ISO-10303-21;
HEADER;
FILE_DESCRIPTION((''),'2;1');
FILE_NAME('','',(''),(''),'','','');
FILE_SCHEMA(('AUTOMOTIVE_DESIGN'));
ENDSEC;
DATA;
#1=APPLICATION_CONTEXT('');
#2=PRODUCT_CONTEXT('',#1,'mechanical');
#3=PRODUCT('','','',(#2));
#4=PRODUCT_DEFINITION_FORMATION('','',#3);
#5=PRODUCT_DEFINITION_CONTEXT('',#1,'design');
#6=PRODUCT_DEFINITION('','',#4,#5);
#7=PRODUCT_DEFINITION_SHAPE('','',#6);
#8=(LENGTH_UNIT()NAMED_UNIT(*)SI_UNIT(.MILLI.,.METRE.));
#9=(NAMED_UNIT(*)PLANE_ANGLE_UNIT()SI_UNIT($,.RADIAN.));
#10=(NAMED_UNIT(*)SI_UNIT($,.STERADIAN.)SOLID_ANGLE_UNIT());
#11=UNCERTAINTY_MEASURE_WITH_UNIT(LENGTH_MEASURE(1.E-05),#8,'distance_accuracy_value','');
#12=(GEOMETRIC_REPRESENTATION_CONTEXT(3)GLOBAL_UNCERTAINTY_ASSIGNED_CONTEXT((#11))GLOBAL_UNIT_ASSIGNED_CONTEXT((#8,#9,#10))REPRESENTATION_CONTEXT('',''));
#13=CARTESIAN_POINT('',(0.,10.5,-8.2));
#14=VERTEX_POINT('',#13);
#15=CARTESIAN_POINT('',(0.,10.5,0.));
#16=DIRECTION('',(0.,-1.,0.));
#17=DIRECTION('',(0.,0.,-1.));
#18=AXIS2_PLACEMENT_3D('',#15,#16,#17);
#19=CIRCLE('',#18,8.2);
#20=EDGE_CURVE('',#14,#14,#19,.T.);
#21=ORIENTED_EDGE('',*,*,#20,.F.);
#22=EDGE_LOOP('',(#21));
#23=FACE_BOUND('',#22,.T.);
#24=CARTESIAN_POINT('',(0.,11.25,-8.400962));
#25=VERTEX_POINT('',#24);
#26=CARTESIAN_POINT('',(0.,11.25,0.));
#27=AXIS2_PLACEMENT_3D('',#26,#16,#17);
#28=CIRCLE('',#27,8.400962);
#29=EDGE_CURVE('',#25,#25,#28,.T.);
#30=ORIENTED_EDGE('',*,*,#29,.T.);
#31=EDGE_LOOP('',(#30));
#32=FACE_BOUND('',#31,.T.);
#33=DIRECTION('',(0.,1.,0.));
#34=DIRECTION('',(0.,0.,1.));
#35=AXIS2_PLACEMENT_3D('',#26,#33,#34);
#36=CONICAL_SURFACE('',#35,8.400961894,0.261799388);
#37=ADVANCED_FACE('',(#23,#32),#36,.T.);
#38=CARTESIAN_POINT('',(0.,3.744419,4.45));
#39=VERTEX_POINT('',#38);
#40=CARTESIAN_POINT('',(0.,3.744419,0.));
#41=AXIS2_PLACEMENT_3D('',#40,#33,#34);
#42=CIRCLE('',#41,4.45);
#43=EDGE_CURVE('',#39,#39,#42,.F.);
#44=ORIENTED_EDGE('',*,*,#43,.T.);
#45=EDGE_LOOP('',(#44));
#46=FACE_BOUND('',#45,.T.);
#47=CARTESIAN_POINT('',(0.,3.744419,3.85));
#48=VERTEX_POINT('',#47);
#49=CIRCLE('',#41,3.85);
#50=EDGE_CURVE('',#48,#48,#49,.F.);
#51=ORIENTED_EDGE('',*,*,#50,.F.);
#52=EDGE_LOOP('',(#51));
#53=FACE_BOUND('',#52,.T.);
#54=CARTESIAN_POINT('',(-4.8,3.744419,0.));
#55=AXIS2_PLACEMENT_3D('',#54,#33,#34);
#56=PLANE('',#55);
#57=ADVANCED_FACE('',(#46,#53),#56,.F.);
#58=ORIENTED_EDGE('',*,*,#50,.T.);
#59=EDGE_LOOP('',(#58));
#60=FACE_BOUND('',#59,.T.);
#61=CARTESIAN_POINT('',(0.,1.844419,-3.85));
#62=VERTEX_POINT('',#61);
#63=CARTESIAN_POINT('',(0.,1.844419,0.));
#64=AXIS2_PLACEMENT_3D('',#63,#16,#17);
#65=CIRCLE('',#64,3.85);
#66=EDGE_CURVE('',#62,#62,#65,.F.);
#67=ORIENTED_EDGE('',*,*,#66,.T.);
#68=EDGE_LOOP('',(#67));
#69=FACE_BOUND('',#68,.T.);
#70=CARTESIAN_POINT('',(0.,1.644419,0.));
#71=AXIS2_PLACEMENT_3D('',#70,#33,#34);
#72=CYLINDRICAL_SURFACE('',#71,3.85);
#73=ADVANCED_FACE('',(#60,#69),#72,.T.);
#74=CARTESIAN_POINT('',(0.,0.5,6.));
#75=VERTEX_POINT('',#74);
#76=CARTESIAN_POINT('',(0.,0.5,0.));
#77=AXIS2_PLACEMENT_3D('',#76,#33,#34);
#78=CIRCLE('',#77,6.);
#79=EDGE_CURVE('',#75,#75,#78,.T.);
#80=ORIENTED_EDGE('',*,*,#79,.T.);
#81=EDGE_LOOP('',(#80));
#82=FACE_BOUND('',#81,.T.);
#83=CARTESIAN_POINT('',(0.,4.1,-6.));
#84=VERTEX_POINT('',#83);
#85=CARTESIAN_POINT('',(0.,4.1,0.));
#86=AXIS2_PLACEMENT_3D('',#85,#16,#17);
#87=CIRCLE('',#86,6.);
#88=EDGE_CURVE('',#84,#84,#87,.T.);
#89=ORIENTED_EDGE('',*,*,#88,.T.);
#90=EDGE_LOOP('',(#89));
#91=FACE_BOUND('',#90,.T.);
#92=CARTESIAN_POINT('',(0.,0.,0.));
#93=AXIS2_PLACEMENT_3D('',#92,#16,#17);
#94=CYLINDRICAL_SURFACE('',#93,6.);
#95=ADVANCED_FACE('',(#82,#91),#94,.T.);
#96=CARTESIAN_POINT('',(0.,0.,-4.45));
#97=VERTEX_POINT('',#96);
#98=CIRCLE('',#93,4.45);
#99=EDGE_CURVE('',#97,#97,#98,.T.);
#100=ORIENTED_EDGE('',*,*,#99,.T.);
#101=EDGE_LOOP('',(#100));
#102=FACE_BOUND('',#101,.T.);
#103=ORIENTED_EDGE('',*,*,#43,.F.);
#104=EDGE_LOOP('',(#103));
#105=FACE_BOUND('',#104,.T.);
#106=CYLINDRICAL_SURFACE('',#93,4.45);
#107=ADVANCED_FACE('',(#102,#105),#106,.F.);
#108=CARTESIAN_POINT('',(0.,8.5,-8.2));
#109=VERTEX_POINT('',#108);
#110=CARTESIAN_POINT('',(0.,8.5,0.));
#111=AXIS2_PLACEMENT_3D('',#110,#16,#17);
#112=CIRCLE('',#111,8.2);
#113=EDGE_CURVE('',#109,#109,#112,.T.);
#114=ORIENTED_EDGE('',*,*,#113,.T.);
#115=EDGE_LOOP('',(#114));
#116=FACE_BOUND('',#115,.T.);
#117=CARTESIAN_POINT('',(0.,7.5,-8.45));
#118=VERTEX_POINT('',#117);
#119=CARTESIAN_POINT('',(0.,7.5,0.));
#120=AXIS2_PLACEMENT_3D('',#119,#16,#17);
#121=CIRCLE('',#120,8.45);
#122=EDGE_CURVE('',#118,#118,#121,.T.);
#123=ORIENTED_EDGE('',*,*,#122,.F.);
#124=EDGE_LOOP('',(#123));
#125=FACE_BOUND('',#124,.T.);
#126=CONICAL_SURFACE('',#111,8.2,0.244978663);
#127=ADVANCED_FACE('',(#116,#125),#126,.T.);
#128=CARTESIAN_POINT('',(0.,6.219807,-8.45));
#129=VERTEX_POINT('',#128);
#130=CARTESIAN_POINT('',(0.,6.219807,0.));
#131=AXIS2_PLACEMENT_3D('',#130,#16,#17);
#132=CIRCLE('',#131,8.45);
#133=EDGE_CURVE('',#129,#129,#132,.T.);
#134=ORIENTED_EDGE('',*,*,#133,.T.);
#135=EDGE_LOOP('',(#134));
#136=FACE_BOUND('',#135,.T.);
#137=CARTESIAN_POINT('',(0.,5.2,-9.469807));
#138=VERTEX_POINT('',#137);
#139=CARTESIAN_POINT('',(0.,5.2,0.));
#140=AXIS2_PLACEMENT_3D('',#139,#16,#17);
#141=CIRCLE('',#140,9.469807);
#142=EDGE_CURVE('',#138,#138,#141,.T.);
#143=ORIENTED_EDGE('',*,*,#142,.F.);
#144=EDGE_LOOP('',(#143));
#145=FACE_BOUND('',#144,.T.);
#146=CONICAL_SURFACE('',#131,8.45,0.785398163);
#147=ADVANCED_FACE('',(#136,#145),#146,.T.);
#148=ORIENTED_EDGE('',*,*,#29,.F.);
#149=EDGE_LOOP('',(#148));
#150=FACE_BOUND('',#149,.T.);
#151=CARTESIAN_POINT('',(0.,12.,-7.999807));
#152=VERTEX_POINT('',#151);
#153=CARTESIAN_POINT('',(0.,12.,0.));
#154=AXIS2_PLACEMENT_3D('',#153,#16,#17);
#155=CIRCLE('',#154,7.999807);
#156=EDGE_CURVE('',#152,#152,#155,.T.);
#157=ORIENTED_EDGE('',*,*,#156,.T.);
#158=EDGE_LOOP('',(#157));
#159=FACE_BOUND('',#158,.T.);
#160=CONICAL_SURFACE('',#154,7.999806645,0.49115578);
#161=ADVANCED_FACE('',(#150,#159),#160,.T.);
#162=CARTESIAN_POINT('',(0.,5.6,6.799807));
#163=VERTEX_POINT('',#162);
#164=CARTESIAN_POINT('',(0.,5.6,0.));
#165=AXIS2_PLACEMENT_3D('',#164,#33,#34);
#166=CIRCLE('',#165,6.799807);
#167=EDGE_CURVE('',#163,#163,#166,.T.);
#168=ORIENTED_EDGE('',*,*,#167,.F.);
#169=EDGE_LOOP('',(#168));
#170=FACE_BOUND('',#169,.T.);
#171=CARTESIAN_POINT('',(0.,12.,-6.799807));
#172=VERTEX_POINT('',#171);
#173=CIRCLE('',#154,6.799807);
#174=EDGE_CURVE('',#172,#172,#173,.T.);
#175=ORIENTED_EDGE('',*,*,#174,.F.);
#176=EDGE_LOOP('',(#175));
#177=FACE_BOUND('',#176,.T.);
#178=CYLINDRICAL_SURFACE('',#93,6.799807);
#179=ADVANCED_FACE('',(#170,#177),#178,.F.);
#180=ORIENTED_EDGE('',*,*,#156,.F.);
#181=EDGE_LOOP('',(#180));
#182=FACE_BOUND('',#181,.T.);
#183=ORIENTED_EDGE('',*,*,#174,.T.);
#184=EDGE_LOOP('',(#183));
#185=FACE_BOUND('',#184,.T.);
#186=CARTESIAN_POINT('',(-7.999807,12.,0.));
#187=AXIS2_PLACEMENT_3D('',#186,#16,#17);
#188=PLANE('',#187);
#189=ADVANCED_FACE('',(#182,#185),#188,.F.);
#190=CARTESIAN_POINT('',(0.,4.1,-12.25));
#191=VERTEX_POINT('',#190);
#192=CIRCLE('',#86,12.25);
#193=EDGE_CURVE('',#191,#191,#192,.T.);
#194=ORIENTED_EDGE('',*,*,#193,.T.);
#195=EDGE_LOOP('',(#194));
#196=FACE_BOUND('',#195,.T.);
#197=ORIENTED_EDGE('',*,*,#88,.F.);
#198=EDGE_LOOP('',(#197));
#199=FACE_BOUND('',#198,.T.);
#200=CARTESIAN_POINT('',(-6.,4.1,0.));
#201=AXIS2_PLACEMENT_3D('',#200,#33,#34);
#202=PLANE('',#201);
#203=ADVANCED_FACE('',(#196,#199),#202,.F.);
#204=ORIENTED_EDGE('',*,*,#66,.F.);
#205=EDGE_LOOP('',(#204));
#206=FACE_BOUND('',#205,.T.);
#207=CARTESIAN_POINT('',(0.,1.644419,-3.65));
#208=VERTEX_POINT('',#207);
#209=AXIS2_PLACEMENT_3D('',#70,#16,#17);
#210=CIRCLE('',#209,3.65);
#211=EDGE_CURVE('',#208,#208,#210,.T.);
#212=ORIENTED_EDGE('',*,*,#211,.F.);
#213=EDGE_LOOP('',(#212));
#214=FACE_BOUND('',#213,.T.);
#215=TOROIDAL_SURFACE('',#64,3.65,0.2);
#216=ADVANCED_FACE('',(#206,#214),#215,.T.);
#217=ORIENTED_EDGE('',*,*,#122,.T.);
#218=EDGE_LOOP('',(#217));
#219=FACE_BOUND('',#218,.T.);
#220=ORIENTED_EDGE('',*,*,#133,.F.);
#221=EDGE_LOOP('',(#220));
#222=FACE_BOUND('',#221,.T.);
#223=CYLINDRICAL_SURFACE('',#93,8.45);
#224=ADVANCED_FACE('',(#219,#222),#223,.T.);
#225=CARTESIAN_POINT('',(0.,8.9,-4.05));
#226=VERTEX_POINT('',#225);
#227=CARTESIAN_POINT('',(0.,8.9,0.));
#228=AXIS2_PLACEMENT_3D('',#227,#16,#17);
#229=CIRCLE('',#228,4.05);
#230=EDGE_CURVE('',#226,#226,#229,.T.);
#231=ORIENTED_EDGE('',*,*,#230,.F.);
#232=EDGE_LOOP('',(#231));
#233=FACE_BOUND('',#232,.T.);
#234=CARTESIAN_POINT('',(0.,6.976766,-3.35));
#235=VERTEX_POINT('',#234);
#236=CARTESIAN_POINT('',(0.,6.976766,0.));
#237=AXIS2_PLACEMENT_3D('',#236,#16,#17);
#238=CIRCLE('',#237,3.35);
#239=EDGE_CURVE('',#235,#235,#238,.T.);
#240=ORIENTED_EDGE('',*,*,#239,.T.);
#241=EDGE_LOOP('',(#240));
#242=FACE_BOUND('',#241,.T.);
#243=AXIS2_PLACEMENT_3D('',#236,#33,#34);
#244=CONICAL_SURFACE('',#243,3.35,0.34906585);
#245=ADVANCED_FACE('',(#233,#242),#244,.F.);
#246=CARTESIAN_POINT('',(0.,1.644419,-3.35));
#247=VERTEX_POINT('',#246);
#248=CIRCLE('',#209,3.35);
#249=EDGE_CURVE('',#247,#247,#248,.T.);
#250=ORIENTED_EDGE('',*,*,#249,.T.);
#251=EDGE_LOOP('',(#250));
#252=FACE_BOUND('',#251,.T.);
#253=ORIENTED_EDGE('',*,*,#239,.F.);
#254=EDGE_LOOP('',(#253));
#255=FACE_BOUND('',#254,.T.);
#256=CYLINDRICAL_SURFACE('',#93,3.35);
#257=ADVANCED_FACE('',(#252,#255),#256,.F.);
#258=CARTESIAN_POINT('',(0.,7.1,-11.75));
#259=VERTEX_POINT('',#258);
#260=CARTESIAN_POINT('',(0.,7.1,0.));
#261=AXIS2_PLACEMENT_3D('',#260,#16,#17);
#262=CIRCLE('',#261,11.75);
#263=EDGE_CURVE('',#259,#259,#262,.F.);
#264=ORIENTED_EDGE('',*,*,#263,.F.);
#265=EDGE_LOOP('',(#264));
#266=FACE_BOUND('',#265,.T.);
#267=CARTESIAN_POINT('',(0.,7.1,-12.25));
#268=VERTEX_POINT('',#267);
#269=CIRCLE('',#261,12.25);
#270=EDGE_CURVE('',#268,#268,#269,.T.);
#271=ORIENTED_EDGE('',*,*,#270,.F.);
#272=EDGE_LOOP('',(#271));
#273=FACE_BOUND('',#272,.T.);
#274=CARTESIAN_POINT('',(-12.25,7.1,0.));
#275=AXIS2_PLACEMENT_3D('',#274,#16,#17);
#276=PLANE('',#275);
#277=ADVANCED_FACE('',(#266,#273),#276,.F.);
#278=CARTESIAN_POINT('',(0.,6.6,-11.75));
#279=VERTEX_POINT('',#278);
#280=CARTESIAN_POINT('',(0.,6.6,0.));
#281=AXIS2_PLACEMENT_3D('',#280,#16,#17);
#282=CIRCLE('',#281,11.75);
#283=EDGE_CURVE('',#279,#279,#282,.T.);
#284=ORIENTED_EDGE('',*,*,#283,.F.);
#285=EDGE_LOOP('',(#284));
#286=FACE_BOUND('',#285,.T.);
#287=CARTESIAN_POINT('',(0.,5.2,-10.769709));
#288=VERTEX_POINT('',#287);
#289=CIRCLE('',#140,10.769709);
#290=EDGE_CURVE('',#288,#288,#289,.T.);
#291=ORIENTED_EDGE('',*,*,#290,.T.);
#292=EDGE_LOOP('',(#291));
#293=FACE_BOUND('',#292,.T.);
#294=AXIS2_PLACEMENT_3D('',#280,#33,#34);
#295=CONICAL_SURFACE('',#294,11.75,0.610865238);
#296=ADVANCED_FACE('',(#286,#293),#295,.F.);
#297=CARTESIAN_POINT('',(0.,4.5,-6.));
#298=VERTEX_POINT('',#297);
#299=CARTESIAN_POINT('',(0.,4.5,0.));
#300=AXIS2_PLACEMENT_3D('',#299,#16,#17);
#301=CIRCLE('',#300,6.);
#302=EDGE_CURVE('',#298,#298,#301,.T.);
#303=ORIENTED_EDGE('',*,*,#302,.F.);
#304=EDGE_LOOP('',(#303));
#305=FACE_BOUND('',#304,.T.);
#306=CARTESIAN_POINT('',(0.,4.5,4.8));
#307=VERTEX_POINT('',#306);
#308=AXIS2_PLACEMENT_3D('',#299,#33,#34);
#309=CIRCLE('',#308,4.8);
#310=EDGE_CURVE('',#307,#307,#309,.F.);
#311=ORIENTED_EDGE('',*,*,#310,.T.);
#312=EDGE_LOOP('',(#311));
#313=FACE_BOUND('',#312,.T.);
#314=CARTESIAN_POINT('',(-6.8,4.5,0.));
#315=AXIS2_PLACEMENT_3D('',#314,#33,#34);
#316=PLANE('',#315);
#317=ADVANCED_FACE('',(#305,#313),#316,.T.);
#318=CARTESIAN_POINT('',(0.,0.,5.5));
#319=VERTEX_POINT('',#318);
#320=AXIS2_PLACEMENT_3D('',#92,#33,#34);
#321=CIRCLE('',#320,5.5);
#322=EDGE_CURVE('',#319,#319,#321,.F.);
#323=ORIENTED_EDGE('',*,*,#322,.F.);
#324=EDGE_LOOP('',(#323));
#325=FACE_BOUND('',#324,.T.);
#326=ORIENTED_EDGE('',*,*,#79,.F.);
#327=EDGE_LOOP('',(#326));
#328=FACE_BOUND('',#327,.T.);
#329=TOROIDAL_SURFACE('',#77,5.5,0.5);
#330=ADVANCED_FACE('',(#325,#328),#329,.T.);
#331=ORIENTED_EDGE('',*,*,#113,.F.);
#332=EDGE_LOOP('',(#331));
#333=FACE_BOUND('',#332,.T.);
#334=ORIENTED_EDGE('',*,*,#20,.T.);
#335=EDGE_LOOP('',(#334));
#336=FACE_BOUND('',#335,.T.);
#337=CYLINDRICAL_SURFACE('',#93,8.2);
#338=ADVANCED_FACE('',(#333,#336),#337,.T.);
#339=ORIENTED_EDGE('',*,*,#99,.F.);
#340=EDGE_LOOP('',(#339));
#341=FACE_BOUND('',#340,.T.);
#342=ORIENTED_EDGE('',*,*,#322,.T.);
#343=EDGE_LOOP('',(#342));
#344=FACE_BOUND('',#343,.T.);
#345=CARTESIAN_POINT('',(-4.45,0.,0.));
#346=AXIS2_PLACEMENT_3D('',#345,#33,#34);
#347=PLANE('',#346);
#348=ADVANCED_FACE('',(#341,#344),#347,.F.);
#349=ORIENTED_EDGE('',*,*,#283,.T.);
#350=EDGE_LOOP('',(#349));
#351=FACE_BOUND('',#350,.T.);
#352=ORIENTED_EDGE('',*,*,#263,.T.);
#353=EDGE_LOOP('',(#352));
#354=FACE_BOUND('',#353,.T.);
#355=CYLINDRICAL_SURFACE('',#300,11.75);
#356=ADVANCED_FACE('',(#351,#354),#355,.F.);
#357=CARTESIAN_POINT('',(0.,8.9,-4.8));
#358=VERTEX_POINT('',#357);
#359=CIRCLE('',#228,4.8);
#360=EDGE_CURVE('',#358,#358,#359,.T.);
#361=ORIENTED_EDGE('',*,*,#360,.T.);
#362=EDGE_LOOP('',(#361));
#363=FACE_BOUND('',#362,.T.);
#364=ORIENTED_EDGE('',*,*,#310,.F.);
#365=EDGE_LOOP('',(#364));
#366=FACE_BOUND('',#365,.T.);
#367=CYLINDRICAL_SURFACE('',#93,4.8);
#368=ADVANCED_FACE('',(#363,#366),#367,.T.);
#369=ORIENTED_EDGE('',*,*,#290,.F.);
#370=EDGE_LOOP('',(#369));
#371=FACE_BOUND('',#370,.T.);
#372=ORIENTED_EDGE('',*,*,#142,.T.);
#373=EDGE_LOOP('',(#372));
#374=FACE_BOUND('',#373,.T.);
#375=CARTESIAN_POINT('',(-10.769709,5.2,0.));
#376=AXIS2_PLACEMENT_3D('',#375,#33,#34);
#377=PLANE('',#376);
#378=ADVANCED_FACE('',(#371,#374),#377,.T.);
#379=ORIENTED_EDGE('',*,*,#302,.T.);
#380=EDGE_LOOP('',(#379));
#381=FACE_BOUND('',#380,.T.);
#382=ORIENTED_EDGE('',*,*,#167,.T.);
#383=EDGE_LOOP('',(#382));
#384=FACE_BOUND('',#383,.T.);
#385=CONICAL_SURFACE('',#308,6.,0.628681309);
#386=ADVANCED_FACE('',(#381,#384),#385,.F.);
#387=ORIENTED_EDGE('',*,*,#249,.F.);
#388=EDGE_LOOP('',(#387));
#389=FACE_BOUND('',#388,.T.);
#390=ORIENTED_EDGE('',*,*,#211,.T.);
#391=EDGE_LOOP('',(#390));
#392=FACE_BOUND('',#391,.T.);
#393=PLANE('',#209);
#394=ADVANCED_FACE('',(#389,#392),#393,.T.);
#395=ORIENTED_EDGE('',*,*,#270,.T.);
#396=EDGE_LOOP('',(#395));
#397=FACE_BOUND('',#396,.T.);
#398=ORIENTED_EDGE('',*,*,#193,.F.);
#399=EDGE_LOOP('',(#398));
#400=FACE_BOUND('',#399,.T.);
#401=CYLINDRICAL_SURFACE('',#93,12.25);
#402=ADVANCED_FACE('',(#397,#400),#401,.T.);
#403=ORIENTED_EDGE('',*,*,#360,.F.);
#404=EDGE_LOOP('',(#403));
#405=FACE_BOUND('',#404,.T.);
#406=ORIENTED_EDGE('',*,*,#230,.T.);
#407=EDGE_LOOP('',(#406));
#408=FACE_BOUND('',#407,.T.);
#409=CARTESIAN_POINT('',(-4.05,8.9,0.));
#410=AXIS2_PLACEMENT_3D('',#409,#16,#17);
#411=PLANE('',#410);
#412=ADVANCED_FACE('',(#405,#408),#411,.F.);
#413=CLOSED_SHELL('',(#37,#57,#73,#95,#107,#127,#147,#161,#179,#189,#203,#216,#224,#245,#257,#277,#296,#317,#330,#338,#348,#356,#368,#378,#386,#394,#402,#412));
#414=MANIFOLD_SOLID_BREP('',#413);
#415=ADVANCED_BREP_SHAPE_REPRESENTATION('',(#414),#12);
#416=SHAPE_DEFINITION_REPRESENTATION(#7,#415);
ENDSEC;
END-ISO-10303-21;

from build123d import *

# Parameters (mm, degrees)
SKETCH8_R           = 3.85
SKETCH8_R_2         = 3.35
BOSS_EXTRUDE1_DEPTH = 2.1
FILLET2_R           = 0.5
FILLET3_R           = 0.2


with BuildPart() as part:
    # Sketch1 → Revolve1 (revolve)
    with BuildSketch(Plane.XY, mode=Mode.PRIVATE) as revolve1_sk:
        Polygon((-12.25, 7.1), (-4.45, 7.1), (-4.45, 0), (-6, 0), (-6, 4.1), (-12.25, 4.1), align=None)
    revolve(revolve1_sk.sketch.rotate(Axis((0, 0, 0), (0, 1, 0)), 270), axis=Axis((0, 0, 0), (0, 1, 0)))

    # Sketch6 → Cut-Revolve2 (revolve, cut)
    with BuildSketch(Plane.XY, mode=Mode.PRIVATE) as cut_revolve2_sk:
        Polygon((-11.75, 7.1), (-11.75, 6.6), (-10.769709447, 5.2), (-6.8, 5.2), (-6.8, 4.5), (0, 4.5), (0, 7.1), (0, 9.850026385), (-11.75, 9.850026385), align=None)
    revolve(cut_revolve2_sk.sketch.rotate(Axis((0, 4.5, 0), (0, 1, 0)), 270), axis=Axis((0, 4.5, 0), (0, 1, 0)), mode=Mode.SUBTRACT)

    # Sketch7 → Revolve2 (revolve)
    with BuildSketch(Plane.XY, mode=Mode.PRIVATE) as revolve2_sk:
        Polygon((-4.8, 8.9), (-4.8, 3.744419371), (-3.35, 3.744419371), (-3.35, 6.976765806), (-4.05, 8.9), align=None)
    revolve(revolve2_sk.sketch.rotate(Axis((0, 0, 0), (0, 1, 0)), 270), axis=Axis((0, 0, 0), (0, 1, 0)))

    # Sketch8 → Boss-Extrude1 (add)
    with BuildSketch(Plane.XZ.offset(-3.744419371)):
        with Locations(Location((0, 0, 0), (0, 0, 90))):
            Circle(SKETCH8_R)
        with Locations(Location((0, 0, 0), (0, 0, 270))):
            Circle(SKETCH8_R_2, mode=Mode.SUBTRACT)
    extrude(amount=BOSS_EXTRUDE1_DEPTH)

    # Sketch9 → Revolve3 (revolve)
    with BuildSketch(Plane.XY, mode=Mode.PRIVATE) as revolve3_sk:
        Polygon((-6.799806645, 12), (-6.799806645, 5.2), (-9.469806645, 5.2), (-8.45, 6.219806645), (-8.45, 7.5), (-8.2, 8.5), (-8.2, 10.5), (-8.400961894, 11.25), (-7.999806645, 12), align=None)
    revolve(revolve3_sk.sketch.rotate(Axis((0, 0, 0), (0, 1, 0)), 270), axis=Axis((0, 0, 0), (0, 1, 0)))

    # Sketch11 → Revolve4 (revolve)
    with BuildSketch(Plane.XY, mode=Mode.PRIVATE) as revolve4_sk:
        Polygon((-6.799806645, 5.6), (-6, 4.5), (-6, 4.308890283), (-7.13977868, 4.308890283), (-7.13977868, 5.6), align=None)
    revolve(revolve4_sk.sketch.rotate(Axis((0, 0, 0), (0, 1, 0)), 270), axis=Axis((0, 0, 0), (0, 1, 0)))

    # Fillet2
    fillet2_edges = [part.edges().sort_by_distance(p)[0] for p in [
        (0, 0, 6),
    ]]
    fillet(fillet2_edges, radius=FILLET2_R)

    # Fillet3
    fillet3_edges = [part.edges().sort_by_distance(p)[0] for p in [
        (0, 1.644419371, -3.85),
    ]]
    fillet(fillet3_edges, radius=FILLET3_R)


solid = part.part
